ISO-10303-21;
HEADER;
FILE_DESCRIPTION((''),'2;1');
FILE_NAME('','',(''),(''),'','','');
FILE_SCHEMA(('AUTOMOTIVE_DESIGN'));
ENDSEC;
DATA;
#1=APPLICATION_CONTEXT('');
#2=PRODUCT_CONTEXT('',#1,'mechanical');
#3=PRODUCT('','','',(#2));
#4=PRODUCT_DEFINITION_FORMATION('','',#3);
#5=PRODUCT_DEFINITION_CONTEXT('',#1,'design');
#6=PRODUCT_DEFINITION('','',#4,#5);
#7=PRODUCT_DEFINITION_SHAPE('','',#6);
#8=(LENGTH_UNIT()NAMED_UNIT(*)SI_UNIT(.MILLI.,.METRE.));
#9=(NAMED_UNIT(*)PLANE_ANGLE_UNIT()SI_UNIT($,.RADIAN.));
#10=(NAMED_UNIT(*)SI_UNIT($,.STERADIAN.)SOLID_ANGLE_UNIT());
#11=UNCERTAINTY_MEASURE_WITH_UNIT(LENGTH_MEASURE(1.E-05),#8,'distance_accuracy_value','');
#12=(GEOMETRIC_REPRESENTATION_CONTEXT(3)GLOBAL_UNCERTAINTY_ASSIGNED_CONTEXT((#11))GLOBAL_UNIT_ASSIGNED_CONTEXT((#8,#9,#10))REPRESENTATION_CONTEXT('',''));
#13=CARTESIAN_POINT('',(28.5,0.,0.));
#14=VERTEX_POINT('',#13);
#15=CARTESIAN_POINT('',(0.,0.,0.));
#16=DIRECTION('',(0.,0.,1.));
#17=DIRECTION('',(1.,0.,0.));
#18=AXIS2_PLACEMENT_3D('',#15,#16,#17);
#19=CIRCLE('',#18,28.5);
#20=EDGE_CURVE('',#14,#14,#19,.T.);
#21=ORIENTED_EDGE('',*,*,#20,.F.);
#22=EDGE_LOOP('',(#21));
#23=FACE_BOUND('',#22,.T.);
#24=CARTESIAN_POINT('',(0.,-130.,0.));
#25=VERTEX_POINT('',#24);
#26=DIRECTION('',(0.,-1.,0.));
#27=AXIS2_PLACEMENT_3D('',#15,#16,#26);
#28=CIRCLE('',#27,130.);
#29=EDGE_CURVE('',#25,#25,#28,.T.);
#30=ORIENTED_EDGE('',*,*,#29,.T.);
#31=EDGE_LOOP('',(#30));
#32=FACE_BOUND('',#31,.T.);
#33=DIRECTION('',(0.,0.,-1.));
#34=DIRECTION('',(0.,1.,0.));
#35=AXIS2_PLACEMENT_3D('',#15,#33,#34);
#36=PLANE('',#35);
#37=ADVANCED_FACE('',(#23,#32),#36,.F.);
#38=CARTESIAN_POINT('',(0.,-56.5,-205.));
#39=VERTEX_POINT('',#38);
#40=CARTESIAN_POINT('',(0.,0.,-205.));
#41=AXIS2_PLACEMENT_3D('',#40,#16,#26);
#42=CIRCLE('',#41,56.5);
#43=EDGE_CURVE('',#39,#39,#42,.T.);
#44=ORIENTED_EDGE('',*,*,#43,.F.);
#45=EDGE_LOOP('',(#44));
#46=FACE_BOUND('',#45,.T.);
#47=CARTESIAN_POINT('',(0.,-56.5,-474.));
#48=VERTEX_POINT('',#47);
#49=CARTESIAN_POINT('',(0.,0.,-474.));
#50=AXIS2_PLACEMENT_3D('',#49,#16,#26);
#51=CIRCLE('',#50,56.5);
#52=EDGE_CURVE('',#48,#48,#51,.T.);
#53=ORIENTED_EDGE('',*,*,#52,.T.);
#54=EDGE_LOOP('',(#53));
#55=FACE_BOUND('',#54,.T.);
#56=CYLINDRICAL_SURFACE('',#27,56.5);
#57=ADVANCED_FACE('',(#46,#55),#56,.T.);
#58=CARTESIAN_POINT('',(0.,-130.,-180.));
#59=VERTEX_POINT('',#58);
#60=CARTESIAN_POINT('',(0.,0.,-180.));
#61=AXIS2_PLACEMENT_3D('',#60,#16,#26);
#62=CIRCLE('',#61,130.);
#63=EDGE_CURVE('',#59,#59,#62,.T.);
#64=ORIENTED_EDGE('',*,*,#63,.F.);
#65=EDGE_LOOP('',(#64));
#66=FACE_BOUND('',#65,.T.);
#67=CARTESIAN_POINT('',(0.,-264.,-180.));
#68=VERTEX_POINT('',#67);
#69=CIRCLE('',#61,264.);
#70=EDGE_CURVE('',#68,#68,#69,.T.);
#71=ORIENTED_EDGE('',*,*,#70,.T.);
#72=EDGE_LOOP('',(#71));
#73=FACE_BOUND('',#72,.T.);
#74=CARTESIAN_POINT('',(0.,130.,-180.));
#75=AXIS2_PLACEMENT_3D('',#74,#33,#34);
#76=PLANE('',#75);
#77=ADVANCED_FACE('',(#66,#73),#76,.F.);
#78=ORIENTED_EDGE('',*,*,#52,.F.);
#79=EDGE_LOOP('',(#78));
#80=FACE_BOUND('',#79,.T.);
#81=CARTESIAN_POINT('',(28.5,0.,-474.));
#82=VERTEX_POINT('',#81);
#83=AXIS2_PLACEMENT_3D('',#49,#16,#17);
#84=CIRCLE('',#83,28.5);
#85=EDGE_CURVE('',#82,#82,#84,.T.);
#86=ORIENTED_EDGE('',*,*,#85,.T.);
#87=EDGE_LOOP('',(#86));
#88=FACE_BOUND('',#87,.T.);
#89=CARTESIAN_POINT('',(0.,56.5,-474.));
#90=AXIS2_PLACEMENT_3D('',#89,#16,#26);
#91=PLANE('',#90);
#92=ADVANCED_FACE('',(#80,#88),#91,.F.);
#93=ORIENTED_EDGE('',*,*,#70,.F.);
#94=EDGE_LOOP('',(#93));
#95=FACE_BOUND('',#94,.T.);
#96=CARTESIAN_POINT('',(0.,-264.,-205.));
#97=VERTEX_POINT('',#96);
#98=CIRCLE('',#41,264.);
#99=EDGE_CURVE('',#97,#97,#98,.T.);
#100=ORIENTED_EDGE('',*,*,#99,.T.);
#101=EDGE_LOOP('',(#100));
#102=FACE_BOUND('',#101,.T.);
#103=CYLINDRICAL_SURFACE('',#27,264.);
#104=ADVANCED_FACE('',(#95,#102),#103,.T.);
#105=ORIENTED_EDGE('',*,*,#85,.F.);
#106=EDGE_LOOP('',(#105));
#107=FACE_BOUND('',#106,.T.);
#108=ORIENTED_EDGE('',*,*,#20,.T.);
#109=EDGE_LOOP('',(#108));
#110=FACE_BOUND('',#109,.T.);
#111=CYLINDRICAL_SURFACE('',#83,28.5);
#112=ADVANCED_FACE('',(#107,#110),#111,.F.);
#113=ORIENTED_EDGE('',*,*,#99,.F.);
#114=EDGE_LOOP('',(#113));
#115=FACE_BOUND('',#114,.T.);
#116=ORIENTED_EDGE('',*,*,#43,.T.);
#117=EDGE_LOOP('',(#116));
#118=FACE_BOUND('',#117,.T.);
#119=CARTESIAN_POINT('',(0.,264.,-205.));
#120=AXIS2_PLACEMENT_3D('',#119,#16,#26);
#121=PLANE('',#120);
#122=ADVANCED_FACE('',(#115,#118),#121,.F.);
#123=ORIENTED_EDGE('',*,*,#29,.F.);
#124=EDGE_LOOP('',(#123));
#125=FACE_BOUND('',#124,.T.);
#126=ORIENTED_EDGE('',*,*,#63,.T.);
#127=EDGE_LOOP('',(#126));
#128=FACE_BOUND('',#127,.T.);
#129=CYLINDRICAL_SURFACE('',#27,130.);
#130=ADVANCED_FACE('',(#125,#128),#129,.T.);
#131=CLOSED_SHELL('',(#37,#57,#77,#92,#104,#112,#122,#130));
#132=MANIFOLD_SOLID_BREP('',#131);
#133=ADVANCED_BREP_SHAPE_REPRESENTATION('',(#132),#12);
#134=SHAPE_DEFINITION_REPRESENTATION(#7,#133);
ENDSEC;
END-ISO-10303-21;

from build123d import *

# Parameters (mm, degrees)
SKETCH2_R          = 28.5
CUT_EXTRUDE1_DEPTH = 604.380476979


with BuildPart() as part:
    # Sketch1 → Revolve1 (revolve)
    with BuildSketch(Plane(origin=(0, 0, 0), x_dir=(0, 0, -1), z_dir=(1, 0, 0)), mode=Mode.PRIVATE) as revolve1_sk:
        Polygon((0, 0), (0, 130), (180, 130), (180, 264), (205, 264), (205, 56.5), (474, 56.5), (474, 0), align=None)
    revolve(revolve1_sk.sketch.rotate(Axis((0, 0, 0), (0, 0, -1)), 180), axis=Axis((0, 0, 0), (0, 0, -1)))

    # Sketch2 → Cut-Extrude1 (cut, through all)
    with BuildSketch(Plane.XY):
        Circle(SKETCH2_R)
    extrude(amount=-CUT_EXTRUDE1_DEPTH, mode=Mode.SUBTRACT)


solid = part.part
